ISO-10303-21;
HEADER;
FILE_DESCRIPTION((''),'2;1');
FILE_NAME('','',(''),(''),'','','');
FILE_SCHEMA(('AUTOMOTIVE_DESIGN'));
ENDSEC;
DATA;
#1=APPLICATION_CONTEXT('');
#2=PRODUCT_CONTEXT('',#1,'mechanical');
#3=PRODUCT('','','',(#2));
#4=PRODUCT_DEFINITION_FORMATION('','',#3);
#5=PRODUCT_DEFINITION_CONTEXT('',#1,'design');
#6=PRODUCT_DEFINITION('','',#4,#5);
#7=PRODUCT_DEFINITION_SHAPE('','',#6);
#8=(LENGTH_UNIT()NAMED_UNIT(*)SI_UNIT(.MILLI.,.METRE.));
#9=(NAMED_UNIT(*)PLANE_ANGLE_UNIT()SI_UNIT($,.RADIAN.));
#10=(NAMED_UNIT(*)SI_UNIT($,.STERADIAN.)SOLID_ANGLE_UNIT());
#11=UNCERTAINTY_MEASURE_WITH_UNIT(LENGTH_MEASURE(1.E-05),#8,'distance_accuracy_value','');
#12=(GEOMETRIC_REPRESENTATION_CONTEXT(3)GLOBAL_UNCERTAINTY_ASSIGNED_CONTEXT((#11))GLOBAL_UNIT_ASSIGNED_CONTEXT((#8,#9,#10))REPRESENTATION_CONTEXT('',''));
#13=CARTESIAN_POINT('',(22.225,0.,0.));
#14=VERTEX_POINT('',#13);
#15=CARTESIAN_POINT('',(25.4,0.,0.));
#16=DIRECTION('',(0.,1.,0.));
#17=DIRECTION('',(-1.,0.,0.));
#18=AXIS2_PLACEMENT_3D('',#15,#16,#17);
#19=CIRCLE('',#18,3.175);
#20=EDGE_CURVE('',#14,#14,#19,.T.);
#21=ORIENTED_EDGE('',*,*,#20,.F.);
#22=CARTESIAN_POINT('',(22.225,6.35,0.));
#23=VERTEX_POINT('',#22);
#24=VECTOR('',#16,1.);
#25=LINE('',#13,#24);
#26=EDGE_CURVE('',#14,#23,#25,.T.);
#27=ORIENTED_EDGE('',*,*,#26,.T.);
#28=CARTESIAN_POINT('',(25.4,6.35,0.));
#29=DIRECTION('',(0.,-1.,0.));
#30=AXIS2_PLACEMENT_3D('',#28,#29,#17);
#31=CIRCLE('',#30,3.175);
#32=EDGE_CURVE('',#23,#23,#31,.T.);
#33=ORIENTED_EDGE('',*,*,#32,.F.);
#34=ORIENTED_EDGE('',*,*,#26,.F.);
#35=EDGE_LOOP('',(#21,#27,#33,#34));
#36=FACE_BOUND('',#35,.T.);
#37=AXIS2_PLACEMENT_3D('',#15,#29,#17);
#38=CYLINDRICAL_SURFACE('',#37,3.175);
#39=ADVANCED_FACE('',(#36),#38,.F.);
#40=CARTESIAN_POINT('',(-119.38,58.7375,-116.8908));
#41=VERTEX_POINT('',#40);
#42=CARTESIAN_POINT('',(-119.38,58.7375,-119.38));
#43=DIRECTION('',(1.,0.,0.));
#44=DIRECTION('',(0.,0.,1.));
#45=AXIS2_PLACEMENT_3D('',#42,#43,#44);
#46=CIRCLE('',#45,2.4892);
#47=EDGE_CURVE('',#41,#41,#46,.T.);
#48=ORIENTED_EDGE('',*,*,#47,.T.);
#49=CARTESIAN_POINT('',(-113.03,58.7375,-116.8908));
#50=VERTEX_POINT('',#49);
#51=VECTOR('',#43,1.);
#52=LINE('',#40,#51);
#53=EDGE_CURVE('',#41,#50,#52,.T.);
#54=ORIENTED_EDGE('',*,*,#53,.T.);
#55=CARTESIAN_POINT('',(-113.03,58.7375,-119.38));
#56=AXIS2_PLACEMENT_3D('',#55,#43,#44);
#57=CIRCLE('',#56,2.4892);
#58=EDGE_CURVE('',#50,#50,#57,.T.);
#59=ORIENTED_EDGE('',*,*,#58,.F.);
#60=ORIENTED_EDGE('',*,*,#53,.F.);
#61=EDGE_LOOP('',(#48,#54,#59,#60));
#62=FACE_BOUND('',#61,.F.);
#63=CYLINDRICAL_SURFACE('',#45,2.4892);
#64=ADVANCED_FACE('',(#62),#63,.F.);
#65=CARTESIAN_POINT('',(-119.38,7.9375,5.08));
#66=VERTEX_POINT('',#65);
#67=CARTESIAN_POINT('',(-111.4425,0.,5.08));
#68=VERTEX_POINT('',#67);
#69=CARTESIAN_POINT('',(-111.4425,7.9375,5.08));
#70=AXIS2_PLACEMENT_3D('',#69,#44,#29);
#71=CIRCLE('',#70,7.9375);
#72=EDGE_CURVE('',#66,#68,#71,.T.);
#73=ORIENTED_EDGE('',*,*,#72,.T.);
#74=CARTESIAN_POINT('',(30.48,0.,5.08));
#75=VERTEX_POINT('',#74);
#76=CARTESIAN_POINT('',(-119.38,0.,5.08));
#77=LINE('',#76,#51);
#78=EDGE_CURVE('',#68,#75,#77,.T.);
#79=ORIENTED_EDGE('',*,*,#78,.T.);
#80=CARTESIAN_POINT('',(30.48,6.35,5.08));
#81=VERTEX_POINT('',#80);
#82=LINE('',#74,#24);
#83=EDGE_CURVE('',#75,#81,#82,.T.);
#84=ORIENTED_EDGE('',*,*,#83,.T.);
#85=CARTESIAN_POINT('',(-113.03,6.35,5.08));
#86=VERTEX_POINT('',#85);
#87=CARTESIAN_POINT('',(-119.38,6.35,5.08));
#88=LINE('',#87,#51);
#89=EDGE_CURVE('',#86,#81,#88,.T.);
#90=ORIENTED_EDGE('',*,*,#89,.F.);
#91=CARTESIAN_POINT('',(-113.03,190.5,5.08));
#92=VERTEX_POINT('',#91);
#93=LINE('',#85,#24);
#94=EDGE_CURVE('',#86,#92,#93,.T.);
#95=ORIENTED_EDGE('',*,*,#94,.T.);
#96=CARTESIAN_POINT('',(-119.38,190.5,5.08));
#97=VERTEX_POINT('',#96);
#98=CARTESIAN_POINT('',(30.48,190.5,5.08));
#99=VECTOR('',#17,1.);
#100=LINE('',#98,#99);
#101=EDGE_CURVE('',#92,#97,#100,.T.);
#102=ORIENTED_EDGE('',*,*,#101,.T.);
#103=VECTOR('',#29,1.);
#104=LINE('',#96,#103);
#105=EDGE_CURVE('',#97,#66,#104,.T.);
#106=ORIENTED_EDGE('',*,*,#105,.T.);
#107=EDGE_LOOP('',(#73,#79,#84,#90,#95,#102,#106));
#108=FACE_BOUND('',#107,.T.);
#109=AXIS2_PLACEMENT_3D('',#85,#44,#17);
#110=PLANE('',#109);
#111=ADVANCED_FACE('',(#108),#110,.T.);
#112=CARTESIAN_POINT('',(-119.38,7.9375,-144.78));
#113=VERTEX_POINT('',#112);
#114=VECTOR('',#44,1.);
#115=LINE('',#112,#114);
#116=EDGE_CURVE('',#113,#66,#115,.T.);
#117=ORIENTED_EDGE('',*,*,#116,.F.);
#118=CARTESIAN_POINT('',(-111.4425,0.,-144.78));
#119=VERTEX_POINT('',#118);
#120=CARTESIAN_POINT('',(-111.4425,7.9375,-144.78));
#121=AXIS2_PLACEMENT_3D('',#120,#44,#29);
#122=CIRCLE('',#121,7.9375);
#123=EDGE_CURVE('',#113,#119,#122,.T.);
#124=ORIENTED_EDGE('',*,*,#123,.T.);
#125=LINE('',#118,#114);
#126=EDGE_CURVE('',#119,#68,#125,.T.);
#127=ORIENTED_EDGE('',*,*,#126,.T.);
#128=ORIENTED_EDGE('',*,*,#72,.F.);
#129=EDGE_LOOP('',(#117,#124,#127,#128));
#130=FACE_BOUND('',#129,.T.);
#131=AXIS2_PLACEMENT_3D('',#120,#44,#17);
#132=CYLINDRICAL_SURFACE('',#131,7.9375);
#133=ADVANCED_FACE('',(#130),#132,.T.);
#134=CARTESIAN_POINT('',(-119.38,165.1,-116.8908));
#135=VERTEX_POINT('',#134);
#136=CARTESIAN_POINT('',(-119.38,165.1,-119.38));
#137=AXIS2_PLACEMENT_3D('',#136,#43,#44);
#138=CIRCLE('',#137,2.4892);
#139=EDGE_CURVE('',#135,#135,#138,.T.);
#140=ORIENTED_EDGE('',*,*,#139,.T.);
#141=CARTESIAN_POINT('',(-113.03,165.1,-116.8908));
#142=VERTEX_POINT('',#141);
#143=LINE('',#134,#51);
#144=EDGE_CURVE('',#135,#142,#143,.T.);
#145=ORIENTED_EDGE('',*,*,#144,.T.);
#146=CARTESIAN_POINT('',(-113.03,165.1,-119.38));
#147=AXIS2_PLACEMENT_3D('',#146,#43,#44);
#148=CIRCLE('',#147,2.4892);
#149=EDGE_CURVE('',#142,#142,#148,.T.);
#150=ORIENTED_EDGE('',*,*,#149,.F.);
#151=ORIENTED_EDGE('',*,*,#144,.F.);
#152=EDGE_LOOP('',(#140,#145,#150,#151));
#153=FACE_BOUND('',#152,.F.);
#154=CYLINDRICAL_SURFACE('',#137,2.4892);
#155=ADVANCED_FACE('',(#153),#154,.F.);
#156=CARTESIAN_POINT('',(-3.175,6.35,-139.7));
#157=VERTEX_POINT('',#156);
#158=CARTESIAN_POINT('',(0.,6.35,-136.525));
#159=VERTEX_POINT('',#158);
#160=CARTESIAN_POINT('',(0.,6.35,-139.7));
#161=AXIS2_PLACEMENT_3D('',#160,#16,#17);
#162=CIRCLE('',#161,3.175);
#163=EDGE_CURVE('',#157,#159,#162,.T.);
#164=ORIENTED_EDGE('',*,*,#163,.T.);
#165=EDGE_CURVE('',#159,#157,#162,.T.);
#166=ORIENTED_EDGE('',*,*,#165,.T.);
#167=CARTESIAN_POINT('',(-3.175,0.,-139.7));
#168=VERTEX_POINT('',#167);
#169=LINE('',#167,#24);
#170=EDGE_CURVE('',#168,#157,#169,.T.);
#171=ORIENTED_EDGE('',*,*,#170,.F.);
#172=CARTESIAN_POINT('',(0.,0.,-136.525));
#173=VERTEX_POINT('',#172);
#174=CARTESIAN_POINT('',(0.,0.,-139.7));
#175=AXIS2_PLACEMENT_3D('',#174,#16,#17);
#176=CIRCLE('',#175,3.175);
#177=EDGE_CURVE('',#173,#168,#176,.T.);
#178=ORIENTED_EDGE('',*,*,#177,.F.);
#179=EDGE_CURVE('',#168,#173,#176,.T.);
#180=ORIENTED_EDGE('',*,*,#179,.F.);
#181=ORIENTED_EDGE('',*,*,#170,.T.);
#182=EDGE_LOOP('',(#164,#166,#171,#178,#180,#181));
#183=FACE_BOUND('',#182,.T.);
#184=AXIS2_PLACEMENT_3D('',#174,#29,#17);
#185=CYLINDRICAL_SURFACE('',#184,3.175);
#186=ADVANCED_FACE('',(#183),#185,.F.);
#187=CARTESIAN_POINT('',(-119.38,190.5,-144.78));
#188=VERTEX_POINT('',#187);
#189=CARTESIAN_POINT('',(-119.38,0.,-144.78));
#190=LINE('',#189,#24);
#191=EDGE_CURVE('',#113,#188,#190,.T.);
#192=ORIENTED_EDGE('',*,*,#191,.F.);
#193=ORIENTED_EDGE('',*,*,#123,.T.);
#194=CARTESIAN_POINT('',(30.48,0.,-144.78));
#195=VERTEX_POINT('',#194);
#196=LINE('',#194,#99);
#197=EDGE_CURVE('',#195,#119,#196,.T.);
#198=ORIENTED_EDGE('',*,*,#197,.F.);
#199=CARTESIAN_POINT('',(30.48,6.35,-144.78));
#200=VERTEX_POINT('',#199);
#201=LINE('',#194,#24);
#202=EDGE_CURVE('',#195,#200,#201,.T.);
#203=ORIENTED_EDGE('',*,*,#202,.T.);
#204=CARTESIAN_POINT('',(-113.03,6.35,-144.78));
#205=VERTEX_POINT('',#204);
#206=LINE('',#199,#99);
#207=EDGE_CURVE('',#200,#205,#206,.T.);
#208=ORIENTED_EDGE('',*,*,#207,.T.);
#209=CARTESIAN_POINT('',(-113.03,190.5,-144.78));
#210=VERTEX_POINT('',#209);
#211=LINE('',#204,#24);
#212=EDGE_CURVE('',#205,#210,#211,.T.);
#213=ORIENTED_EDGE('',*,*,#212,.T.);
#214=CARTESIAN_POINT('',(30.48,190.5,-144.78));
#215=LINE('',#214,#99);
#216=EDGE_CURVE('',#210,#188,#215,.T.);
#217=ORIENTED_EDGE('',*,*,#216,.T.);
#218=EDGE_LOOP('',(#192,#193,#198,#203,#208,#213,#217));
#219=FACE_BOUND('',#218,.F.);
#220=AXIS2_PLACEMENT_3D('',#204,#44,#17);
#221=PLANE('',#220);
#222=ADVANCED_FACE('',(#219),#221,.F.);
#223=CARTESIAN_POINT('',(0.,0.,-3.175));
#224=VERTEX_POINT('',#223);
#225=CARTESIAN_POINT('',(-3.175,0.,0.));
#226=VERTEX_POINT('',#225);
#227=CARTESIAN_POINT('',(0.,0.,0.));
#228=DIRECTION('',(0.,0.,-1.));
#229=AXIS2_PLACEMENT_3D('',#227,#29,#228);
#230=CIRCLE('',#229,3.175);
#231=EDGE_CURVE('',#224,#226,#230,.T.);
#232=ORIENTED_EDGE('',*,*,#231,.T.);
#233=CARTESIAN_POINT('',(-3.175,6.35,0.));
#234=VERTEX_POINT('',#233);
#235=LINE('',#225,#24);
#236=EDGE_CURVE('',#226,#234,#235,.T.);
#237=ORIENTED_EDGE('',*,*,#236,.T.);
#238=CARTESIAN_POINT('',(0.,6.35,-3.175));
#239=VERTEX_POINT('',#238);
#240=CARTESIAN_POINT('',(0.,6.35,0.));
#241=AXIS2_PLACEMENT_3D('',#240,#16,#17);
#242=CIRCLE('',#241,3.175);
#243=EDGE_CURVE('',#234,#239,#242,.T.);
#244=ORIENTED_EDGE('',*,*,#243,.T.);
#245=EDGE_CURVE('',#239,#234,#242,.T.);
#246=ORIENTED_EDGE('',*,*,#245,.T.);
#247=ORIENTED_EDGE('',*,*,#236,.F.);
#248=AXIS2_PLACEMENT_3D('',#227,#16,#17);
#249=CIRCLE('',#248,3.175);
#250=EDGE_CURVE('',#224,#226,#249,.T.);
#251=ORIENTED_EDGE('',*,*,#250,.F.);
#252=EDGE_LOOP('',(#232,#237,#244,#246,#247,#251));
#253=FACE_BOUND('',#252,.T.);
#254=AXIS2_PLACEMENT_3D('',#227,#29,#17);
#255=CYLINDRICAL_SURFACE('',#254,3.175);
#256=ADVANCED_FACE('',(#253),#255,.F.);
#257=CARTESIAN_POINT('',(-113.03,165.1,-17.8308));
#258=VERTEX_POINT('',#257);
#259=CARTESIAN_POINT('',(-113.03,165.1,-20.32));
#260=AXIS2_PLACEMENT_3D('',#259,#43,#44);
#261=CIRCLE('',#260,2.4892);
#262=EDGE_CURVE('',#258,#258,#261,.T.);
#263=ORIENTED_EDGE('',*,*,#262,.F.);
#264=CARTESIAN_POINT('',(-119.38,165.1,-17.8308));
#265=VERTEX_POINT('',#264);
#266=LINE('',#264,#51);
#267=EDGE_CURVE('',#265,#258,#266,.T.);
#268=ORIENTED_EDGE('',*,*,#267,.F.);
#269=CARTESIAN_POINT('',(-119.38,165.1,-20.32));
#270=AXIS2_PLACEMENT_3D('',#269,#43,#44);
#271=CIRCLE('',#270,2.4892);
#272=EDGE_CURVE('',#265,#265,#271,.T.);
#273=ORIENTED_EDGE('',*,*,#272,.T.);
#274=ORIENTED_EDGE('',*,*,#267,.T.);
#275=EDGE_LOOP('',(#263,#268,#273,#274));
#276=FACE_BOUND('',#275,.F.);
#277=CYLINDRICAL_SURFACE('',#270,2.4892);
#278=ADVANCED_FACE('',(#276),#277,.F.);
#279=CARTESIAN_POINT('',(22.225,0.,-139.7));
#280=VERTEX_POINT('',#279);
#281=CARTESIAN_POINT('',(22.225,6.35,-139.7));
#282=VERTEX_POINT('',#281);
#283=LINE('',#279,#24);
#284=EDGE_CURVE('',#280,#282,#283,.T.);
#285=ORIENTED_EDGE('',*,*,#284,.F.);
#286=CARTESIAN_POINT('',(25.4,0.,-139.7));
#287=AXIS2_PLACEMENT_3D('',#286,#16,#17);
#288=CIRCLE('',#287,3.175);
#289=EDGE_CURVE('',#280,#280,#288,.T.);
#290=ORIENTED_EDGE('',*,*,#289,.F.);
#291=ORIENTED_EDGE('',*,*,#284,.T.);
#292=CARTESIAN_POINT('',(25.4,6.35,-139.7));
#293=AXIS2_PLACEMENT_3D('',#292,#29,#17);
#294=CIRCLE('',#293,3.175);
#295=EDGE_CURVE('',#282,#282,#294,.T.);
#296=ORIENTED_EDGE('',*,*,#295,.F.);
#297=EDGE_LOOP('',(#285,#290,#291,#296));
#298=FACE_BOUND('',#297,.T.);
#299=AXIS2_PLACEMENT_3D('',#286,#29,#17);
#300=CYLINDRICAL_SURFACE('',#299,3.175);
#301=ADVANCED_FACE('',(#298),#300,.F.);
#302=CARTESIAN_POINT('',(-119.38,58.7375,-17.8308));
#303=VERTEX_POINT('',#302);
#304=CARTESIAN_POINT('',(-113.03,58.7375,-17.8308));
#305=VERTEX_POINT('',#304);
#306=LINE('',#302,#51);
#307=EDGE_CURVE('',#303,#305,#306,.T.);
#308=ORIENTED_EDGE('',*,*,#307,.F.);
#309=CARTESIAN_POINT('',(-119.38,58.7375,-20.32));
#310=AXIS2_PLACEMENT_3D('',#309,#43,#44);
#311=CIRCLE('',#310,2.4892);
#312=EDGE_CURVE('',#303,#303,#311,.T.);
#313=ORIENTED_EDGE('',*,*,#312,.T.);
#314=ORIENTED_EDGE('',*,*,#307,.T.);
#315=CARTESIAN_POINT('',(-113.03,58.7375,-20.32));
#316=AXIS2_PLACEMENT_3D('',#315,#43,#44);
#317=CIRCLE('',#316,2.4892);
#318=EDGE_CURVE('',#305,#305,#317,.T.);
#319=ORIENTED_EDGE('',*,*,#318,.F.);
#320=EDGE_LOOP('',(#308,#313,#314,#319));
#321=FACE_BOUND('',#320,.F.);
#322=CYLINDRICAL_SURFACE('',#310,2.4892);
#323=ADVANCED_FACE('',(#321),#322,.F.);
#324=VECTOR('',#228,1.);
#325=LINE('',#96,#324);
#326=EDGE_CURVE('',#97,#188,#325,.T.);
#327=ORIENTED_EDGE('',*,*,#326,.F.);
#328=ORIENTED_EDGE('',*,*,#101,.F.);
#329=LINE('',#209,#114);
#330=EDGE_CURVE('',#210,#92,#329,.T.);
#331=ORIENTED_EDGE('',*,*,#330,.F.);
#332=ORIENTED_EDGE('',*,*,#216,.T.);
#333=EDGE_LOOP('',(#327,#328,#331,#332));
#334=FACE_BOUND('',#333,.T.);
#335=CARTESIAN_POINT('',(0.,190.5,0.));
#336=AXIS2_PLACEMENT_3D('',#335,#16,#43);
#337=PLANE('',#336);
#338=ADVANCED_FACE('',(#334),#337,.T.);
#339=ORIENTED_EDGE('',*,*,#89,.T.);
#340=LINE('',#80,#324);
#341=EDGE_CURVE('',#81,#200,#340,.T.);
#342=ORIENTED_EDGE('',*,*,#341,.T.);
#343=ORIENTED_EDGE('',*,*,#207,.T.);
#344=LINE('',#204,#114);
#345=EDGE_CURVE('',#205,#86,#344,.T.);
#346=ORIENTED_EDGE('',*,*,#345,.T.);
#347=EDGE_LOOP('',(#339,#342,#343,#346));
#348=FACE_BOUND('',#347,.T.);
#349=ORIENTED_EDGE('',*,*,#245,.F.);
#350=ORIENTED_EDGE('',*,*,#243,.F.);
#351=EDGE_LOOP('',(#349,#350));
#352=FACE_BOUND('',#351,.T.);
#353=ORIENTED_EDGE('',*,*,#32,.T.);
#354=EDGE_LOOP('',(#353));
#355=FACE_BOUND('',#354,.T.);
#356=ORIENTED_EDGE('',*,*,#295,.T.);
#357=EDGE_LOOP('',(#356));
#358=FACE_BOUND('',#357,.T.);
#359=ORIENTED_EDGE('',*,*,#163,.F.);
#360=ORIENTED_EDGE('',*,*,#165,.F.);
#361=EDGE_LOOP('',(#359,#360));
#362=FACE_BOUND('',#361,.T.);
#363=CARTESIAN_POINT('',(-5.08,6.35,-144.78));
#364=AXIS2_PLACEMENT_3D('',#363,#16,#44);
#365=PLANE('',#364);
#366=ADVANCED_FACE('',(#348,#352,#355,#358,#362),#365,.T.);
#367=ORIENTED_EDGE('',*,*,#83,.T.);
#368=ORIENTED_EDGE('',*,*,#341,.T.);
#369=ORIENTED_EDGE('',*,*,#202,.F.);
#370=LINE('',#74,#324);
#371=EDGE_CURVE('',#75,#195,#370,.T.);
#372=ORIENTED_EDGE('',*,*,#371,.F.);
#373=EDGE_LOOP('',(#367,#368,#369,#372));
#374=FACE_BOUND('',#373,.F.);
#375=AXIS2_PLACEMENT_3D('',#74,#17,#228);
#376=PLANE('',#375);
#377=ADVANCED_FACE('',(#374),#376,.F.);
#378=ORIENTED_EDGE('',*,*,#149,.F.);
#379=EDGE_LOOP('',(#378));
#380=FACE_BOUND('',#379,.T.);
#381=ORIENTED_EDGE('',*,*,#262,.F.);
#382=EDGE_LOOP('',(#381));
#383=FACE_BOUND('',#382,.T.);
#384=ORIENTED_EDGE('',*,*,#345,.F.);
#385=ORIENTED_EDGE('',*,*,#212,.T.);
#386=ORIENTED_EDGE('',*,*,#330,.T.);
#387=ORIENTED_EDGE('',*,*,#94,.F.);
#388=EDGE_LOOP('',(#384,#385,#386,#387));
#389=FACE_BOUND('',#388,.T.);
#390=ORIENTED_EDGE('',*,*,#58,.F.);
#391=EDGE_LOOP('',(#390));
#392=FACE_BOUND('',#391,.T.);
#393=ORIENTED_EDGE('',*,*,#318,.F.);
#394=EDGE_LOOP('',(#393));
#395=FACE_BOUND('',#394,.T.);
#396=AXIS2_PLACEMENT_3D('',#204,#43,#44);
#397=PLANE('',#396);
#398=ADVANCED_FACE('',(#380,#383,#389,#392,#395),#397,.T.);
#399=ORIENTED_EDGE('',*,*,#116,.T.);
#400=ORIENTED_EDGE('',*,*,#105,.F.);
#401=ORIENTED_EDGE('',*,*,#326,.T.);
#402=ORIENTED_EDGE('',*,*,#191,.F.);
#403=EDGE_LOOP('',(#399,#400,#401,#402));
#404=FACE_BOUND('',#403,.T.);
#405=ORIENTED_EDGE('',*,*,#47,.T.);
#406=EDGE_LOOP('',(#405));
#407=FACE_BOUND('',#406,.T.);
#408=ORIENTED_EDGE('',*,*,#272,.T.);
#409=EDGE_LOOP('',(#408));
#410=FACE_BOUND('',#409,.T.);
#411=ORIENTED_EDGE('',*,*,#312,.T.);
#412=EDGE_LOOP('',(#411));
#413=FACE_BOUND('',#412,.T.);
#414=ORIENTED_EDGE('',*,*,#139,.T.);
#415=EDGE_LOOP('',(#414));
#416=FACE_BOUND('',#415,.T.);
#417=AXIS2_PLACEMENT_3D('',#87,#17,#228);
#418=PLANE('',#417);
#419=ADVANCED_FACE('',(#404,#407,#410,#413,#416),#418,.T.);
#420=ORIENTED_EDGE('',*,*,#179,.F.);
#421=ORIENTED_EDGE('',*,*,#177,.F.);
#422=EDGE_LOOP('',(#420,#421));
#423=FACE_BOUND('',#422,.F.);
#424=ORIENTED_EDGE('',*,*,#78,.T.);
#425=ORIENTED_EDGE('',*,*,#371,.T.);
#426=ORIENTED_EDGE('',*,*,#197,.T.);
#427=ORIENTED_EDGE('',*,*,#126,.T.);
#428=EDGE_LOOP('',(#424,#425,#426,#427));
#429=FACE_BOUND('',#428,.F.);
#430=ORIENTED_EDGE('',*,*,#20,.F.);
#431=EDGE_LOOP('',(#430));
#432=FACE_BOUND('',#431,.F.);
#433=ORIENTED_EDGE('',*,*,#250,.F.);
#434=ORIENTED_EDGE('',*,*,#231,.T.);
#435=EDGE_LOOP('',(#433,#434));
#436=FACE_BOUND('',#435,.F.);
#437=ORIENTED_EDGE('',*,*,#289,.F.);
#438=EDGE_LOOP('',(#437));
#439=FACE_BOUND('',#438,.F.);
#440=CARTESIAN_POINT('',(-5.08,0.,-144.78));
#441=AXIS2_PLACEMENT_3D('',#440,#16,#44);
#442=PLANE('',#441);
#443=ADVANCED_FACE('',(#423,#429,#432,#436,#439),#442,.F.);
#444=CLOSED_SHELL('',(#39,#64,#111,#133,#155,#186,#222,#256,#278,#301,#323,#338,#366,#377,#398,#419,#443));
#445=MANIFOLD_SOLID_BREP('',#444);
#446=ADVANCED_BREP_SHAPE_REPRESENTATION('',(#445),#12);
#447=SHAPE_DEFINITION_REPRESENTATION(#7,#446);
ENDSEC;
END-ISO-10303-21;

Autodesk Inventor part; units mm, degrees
ref_plane "YZ Plane" through (0, 0, 0) normal (1, 0, 0) x (0, 1, 0)
ref_plane "XZ Plane" through (0, 0, 0) normal (0, 1, 0) x (-1, 0, 0)
ref_plane "XY Plane" through (0, 0, 0) normal (0, 0, 1) x (1, 0, 0)
sketch "Sketch1" plane through (0, 0, 0) normal (0, 1, 0) x (-1, 0, 0)
  circle A0 centre (0, 0) radius 3.175
  line L0 (0, 0) -> (0, -139.7)
  circle A1 centre (0, -139.7) radius 3.175
  line L1 (0, 0) -> (-25.4, 0)
  circle A2 centre (-25.4, 0) radius 3.175
  line L2 (-25.4, 0) -> (-25.4, -139.7)
  circle A3 centre (-25.4, -139.7) radius 3.175
  line L3 (0, 0) -> (0, 5.08)
  line L4 (0, 5.08) -> (5.08, 5.08)
  line L5 (-25.4, -139.7) -> (-25.4, -144.78)
  line L6 (-25.4, -144.78) -> (-30.48, -144.78)
  line L7 (5.08, 5.08) -> (-30.48, 5.08)
  line L8 (-30.48, 5.08) -> (-30.48, -144.78)
  line L9 (-30.48, -144.78) -> (5.08, -144.78)
  line L10 (5.08, -144.78) -> (5.08, 5.08)
  dimension "d0" = 6.35
  dimension "d1" = 139.7
  dimension "d2" = 6.35
  dimension "d3" = 25.4
  dimension "d4" = 6.35
  dimension "d5" = 139.7
  dimension "d6" = 6.35
  dimension "d7" = 5.08
  dimension "d8" = 5.08
  dimension "d9" = 5.08
  dimension "d10" = 5.08
extrude "Extrusion1" add sketch "Sketch1" along normal blind 6.35 contours A0 L3 L4 L10 L9 L5 A3 L2 A2 L1 | A0 L1 A2 L2 A3 L5 L6 L8 L7 L3
sketch "Sketch3" plane through (-5.08, 0, -144.78) normal (-1, 0, 0) x (0, 0, 1)
  line L0 (0, 6.35) -> (149.86, 6.35) projected
  line L1 (0, 0) -> (149.86, 0) projected
  line L2 (0, 6.35) -> (149.86, 6.35)
  line L3 (149.86, 6.35) -> (149.86, 0)
  line L4 (149.86, 0) -> (0, 0)
  line L5 (0, 0) -> (0, 6.35)
  point P0 (144.78, 0)
extrude "Extrusion3" add sketch "Sketch3" along normal blind 114.3
sketch "Sketch4" plane through (0, 6.35, 0) normal (0, 1, 0) x (1, 0, 0)
  line L0 (30.48, 144.78) -> (-119.38, 144.78) projected
  line L1 (30.48, -5.08) -> (-119.38, -5.08) projected
  line L2 (-119.38, 144.78) -> (-113.03, 144.78)
  line L3 (-113.03, 144.78) -> (-113.03, -5.08)
  line L4 (-113.03, -5.08) -> (-119.38, -5.08)
  line L5 (-119.38, -5.08) -> (-119.38, 144.78)
  point P0 (0, 0)
  point P1 (-119.38, -5.08)
  dimension "d19" = 6.35
extrude "Extrusion4" add sketch "Sketch4" along normal blind 184.15
fillet "Fillet1" radius 7.9375 1 edges at (-119.38, 0, -69.85)
sketch "Sketch5" plane through (-119.38, 0, -144.78) normal (-1, 0, 0) x (0, 0, 1)
  line L0 (149.86, 190.5) -> (0, 190.5) projected
  line L1 (0, 190.5) -> (25.4, 190.5)
  line L2 (25.4, 190.5) -> (25.4, 165.1)
  line L3 (149.86, 190.5) -> (124.46, 190.5)
  line L4 (124.46, 190.5) -> (124.46, 165.1)
  line L5 (0, 7.9375) -> (25.4, 7.9375)
  line L6 (149.86, 7.9375) -> (0, 7.9375) projected
  line L7 (25.4, 7.9375) -> (25.4, 58.7375)
  line L8 (149.86, 7.9375) -> (124.46, 7.9375)
  line L9 (124.46, 7.9375) -> (124.46, 58.7375)
  point P0 (144.78, 0)
  dimension "d23" = 25.4
  dimension "d24" = 25.4
  dimension "d25" = 25.4
  dimension "d26" = 25.4
  dimension "d27" = 25.4
  dimension "d29" = 50.8
  dimension "d30" = 25.4
  dimension "d31" = 50.8
  dimension "d32" = 90
hole "Hole1" at (-119.38, 165.1, -119.38) at (-119.38, 165.1, -20.32) at (-119.38, 58.7375, -119.38) at (-119.38, 58.7375, -20.32) direction (1, 0, 0) diameter 4.9784 depth 19.05 tip angle 118 thread size "1/4-20 UNC" class "2B" standard "ANSI Unified Screw Threads"
properties part number "ConnectionBarcket(H)"
